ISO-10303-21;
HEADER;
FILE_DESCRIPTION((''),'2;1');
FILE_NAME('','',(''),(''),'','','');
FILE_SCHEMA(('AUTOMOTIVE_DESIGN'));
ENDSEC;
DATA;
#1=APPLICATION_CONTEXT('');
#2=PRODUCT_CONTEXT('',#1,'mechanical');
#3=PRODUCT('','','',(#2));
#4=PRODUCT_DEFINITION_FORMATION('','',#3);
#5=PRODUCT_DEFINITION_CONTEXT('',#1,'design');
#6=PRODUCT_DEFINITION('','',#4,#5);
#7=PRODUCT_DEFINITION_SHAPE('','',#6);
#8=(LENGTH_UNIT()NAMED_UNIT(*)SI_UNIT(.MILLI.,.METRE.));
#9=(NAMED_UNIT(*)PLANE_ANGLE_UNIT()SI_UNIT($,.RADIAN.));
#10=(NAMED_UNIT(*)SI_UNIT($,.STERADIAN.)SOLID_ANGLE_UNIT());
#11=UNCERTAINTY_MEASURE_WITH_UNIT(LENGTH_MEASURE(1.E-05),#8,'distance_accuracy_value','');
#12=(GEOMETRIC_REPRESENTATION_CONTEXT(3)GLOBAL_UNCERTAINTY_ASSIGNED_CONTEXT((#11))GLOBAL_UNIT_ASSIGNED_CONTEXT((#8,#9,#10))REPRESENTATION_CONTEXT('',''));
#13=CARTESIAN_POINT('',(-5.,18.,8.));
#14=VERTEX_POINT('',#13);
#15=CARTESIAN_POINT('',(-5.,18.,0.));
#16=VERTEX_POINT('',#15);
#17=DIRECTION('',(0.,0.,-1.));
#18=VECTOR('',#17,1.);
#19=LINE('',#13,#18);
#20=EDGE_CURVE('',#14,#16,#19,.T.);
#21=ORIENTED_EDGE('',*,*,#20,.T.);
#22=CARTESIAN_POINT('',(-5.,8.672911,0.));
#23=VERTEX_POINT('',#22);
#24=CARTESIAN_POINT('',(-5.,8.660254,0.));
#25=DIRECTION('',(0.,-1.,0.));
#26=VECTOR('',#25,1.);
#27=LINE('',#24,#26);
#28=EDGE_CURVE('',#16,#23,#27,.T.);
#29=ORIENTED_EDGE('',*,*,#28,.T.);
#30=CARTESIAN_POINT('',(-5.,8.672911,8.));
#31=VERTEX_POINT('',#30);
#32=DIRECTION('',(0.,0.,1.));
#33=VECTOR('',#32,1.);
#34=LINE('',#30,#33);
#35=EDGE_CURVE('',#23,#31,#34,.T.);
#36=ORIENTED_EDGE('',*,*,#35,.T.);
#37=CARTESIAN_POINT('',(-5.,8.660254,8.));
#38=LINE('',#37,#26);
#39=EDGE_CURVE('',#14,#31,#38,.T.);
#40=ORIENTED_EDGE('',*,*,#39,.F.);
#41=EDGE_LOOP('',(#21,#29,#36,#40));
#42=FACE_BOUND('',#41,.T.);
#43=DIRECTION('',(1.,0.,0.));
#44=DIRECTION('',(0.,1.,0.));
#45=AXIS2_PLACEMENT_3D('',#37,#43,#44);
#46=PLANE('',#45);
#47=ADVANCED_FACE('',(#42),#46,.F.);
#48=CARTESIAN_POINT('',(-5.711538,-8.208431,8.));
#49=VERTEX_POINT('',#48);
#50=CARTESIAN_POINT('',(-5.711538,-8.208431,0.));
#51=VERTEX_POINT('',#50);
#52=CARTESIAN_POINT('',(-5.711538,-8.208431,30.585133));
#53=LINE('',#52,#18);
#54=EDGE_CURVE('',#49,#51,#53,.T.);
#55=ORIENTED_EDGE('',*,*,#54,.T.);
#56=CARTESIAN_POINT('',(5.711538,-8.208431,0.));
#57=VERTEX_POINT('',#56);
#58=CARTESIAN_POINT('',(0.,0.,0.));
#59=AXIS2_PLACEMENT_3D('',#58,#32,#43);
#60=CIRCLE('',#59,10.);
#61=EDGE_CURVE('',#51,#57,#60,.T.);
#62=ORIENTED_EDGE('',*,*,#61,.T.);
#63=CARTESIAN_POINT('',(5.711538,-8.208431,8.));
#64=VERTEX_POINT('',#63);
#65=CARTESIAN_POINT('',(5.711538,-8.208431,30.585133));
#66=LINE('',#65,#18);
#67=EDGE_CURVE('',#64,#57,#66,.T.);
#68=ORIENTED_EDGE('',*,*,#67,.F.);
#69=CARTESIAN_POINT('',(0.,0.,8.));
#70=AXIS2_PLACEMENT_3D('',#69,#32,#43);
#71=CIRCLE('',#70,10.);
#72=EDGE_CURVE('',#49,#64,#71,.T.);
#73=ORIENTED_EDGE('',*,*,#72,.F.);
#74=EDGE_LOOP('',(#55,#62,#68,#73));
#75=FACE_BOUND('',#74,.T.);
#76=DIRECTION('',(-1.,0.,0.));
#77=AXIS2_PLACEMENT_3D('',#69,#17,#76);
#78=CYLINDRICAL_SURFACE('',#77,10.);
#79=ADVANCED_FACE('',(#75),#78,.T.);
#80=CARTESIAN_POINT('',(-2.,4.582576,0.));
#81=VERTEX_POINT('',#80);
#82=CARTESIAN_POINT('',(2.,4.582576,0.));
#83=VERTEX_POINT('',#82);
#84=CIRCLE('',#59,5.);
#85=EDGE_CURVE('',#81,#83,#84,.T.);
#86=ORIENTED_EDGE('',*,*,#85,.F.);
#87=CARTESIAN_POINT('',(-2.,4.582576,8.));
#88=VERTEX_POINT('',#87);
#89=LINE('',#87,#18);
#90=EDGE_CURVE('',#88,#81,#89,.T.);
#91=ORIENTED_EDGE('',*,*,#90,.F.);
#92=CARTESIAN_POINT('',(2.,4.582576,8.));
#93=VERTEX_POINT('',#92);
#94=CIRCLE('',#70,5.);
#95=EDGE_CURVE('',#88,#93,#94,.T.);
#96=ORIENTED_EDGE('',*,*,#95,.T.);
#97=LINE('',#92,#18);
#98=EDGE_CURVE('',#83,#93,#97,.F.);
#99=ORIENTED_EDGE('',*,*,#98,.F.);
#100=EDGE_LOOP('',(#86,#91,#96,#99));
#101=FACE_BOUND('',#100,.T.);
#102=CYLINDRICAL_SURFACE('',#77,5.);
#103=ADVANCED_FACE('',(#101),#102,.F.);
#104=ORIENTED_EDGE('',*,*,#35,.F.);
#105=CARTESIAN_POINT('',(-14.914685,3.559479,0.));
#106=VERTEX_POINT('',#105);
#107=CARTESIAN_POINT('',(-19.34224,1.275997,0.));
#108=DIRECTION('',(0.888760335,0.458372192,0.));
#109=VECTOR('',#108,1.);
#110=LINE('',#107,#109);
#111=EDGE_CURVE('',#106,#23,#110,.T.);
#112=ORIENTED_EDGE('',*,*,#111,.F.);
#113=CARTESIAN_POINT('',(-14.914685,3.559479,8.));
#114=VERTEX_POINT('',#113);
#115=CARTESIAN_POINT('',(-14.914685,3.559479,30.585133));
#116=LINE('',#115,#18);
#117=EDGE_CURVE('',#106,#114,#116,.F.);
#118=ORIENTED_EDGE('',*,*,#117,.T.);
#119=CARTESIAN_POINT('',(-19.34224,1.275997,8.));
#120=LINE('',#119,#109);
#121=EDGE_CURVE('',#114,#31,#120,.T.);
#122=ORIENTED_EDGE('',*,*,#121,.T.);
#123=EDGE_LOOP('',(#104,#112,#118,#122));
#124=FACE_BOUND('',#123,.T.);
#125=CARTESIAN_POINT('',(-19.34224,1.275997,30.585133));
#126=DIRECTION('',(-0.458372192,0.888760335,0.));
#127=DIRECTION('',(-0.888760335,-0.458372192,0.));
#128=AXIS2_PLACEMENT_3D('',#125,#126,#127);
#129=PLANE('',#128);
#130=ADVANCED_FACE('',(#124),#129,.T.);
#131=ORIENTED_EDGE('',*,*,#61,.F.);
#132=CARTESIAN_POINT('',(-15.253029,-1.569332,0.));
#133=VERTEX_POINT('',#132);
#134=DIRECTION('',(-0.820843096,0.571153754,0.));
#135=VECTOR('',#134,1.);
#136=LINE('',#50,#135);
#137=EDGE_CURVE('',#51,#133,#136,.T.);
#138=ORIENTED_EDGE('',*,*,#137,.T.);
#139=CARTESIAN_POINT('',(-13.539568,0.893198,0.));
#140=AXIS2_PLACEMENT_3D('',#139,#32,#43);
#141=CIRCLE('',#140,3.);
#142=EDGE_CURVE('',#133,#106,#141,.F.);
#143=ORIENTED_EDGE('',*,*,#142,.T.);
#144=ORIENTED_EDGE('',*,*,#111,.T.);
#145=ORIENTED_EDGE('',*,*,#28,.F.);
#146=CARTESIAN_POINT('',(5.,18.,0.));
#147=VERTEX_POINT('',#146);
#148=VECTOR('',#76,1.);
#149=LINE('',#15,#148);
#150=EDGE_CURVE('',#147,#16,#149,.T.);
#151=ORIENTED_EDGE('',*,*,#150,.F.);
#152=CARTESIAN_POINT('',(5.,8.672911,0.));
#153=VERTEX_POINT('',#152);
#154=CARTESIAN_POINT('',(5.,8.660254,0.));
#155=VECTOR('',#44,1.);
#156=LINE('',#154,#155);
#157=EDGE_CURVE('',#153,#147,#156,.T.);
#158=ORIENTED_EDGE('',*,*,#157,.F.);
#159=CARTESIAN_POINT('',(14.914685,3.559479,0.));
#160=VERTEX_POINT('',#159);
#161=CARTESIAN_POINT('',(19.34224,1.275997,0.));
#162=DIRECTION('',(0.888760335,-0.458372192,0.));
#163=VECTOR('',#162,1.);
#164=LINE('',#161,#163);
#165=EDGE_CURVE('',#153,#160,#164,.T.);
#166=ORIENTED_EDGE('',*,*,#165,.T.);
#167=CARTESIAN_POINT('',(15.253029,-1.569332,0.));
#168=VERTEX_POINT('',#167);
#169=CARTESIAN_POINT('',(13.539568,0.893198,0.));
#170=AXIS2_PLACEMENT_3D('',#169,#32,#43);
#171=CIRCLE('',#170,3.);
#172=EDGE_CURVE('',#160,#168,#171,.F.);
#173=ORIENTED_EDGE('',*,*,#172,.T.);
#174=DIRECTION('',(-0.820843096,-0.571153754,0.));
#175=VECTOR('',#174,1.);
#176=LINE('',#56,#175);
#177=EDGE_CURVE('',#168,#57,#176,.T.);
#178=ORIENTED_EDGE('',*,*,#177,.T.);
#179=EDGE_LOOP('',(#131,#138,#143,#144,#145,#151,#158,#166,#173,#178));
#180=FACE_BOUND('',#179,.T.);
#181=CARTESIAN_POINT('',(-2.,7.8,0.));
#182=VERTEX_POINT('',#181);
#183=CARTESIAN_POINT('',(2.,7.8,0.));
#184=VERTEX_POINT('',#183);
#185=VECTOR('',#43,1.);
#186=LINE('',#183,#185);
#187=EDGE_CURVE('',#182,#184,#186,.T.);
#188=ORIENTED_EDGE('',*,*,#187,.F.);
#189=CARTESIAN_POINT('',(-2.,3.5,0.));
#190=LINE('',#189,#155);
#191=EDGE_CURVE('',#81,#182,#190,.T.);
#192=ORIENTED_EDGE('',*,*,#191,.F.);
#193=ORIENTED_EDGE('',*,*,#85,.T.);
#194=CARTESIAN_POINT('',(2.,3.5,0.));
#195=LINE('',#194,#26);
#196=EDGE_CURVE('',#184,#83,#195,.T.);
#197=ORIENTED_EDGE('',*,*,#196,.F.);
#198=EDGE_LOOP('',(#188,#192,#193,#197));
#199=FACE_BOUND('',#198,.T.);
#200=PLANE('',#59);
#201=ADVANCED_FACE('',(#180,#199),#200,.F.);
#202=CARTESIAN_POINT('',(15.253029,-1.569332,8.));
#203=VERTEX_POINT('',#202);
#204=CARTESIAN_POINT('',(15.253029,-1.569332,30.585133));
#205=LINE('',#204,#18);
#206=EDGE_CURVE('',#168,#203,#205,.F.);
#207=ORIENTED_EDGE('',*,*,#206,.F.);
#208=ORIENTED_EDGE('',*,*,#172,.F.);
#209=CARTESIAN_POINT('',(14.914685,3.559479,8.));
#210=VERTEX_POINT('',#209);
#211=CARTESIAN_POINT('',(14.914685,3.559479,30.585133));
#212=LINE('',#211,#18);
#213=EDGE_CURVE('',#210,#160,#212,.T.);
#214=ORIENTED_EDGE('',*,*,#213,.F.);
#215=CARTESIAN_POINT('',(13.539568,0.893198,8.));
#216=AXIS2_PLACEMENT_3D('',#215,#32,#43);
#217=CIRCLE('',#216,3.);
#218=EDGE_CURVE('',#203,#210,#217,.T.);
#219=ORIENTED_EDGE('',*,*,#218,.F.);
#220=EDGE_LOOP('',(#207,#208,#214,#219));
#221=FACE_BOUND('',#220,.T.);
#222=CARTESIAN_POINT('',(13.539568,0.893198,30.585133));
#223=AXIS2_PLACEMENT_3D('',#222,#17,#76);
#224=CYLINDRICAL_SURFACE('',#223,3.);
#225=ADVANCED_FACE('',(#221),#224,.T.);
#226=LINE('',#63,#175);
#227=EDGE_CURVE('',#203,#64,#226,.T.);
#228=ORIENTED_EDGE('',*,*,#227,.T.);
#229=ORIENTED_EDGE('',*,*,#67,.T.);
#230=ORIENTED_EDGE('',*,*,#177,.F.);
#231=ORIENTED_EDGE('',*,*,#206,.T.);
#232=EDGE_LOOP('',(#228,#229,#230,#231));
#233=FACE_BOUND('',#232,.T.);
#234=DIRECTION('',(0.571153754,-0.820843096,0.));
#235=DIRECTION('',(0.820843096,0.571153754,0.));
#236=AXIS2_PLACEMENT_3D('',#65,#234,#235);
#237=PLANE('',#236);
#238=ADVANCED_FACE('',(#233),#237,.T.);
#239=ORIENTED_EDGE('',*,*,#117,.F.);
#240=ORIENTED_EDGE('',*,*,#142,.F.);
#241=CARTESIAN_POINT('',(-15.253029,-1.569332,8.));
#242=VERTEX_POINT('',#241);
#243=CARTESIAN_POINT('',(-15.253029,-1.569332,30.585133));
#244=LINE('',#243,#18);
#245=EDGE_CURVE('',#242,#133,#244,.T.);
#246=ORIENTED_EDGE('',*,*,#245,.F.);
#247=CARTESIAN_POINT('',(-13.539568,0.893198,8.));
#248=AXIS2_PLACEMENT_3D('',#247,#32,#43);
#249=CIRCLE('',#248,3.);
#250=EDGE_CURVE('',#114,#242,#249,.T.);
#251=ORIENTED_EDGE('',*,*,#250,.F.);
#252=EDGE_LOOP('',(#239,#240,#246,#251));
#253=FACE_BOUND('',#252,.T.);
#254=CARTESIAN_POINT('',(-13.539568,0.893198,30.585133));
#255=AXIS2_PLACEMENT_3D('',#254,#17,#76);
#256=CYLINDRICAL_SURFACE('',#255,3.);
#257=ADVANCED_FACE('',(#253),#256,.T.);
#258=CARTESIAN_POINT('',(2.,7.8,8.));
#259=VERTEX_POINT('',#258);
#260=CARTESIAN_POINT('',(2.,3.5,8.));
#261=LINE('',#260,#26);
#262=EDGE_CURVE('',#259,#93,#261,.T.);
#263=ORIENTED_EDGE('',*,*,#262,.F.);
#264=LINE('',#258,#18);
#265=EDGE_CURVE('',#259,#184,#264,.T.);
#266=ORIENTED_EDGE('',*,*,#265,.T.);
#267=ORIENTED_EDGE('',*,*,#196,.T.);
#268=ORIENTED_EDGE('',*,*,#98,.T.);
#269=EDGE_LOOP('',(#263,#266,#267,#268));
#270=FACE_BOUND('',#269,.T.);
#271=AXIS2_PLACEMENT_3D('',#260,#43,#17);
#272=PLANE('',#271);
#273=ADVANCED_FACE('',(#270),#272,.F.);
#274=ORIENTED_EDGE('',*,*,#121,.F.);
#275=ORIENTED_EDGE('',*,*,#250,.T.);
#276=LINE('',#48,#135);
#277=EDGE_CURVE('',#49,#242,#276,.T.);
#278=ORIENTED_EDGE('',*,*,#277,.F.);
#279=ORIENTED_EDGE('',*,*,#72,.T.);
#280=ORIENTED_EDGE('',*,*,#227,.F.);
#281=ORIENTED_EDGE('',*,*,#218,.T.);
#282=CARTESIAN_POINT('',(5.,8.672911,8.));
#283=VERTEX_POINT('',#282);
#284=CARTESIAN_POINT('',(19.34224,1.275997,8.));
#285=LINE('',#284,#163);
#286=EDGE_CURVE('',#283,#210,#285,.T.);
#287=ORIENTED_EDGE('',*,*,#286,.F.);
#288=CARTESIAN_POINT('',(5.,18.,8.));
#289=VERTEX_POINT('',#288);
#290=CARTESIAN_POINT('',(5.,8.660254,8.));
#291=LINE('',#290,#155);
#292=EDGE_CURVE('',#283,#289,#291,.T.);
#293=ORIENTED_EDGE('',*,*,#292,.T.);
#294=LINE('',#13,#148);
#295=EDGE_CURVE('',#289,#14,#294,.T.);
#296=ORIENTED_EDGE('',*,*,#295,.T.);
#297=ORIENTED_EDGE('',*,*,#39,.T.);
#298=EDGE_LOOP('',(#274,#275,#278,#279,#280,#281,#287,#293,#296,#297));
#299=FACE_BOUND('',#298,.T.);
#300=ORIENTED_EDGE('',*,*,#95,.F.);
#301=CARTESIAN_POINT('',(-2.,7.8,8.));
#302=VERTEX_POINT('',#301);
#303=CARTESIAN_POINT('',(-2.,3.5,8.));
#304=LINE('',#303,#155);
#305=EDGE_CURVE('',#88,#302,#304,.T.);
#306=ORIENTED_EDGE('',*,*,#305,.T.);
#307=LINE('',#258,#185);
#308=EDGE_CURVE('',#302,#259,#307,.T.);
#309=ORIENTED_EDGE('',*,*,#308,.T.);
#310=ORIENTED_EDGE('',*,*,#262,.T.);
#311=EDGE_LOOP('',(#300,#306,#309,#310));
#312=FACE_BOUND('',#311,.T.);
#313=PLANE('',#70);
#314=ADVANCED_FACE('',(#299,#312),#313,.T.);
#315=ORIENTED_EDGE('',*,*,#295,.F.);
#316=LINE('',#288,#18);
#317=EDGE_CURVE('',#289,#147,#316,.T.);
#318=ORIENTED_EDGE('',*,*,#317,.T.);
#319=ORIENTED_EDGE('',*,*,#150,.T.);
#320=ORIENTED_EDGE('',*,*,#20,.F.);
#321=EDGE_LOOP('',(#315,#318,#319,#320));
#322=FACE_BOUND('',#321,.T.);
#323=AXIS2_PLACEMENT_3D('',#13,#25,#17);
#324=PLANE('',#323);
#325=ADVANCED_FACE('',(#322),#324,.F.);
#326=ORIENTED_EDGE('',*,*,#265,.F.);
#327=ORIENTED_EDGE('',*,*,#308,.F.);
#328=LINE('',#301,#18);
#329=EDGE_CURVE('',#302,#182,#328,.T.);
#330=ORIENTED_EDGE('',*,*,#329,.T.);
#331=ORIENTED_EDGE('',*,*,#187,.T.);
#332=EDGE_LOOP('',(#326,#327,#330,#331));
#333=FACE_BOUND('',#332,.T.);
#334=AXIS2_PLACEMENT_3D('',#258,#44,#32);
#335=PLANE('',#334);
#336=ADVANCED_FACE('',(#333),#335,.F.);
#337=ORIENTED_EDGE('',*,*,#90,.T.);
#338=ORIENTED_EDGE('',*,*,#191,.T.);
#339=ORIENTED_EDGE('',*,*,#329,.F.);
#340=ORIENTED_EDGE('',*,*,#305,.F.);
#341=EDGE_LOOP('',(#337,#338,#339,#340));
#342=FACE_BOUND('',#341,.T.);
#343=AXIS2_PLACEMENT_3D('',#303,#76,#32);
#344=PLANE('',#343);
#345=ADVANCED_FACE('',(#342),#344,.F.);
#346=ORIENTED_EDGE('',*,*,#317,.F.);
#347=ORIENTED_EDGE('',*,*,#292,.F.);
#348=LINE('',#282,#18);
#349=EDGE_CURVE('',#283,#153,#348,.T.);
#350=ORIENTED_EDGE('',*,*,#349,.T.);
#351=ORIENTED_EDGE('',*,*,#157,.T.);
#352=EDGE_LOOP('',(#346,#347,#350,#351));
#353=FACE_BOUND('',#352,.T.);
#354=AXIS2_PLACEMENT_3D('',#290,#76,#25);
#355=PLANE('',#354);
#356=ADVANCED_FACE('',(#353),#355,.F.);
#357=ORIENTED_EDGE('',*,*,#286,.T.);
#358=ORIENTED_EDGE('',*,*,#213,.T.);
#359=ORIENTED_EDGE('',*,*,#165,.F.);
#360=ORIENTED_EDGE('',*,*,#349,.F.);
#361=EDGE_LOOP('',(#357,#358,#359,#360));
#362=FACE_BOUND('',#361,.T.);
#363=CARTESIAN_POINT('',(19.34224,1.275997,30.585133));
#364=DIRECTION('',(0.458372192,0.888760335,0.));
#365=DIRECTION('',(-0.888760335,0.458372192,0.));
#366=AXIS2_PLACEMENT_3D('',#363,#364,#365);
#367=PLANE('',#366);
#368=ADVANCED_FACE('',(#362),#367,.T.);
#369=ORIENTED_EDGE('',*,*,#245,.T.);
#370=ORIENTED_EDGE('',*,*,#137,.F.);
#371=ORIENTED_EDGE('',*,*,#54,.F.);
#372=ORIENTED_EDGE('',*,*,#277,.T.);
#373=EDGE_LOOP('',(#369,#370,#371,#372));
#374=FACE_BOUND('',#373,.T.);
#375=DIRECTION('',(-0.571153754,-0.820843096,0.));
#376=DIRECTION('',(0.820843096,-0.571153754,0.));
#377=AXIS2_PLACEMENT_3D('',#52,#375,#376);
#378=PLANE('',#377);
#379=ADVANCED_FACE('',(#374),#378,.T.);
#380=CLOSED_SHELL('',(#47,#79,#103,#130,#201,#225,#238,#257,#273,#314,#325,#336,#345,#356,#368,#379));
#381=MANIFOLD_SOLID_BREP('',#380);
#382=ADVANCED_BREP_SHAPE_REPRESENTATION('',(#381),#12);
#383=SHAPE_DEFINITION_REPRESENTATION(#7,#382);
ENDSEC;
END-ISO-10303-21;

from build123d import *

# Parameters (mm, degrees)
SKETCH1_R           = 5
BOSS_EXTRUDE1_DEPTH = 8
BOSS_EXTRUDE2_DEPTH = 8
FILLET1_R           = 3
SKETCH3_W           = 4
SKETCH3_H           = 4.3
CUT_EXTRUDE1_DEPTH  = 26.720756349


with BuildPart() as part:
    # Sketch1 → Boss-Extrude1 (new body)
    with BuildSketch(Plane.XY):
        with BuildLine():
            Line((-5, 8.660254038), (-5, 18))
            Line((-5, 18), (5, 18))
            Line((5, 18), (5, 8.660254038))
            ThreePointArc((5, 8.660254038), (0, -10), (-5, 8.660254038))
        make_face()
        Circle(SKETCH1_R, mode=Mode.SUBTRACT)
    extrude(amount=BOSS_EXTRUDE1_DEPTH)

    # Sketch2 → Boss-Extrude2 (add)
    with BuildSketch(Plane(origin=(0, 0, 0), x_dir=(-1, 0, 0), z_dir=(0, 0, -1))):
        with BuildLine():
            Line((-5.711537543, -8.208430964), (-19.342239895, 1.275996517))
            Line((-19.342239895, 1.275996517), (-4.583721925, 8.887603351))
            ThreePointArc((-4.583721925, 8.887603351), (-9.978310939, 0.658263473), (-5.711537543, -8.208430964))
        make_face()
        with BuildLine():
            Line((5.711537543, -8.208430964), (19.342239895, 1.275996517))
            Line((19.342239895, 1.275996517), (4.583721925, 8.887603351))
            ThreePointArc((4.583721925, 8.887603351), (9.978310939, 0.658263473), (5.711537543, -8.208430964))
        make_face()
    extrude(amount=-BOSS_EXTRUDE2_DEPTH)

    # Fillet1
    fillet1_edges = [part.edges().sort_by_distance(p)[0] for p in [
        (19.342239895, 1.275996517, 4),
        (-19.342239895, 1.275996517, 4),
    ]]
    fillet(fillet1_edges, radius=FILLET1_R)

    # Sketch3 → Cut-Extrude1 (cut, through all)
    with BuildSketch(Plane(origin=(0, 0, 0), x_dir=(-1, 0, 0), z_dir=(0, 0, -1))):
        with Locations((0, 5.65)):
            Rectangle(SKETCH3_W, SKETCH3_H)
    extrude(amount=-CUT_EXTRUDE1_DEPTH, mode=Mode.SUBTRACT)


solid = part.part
